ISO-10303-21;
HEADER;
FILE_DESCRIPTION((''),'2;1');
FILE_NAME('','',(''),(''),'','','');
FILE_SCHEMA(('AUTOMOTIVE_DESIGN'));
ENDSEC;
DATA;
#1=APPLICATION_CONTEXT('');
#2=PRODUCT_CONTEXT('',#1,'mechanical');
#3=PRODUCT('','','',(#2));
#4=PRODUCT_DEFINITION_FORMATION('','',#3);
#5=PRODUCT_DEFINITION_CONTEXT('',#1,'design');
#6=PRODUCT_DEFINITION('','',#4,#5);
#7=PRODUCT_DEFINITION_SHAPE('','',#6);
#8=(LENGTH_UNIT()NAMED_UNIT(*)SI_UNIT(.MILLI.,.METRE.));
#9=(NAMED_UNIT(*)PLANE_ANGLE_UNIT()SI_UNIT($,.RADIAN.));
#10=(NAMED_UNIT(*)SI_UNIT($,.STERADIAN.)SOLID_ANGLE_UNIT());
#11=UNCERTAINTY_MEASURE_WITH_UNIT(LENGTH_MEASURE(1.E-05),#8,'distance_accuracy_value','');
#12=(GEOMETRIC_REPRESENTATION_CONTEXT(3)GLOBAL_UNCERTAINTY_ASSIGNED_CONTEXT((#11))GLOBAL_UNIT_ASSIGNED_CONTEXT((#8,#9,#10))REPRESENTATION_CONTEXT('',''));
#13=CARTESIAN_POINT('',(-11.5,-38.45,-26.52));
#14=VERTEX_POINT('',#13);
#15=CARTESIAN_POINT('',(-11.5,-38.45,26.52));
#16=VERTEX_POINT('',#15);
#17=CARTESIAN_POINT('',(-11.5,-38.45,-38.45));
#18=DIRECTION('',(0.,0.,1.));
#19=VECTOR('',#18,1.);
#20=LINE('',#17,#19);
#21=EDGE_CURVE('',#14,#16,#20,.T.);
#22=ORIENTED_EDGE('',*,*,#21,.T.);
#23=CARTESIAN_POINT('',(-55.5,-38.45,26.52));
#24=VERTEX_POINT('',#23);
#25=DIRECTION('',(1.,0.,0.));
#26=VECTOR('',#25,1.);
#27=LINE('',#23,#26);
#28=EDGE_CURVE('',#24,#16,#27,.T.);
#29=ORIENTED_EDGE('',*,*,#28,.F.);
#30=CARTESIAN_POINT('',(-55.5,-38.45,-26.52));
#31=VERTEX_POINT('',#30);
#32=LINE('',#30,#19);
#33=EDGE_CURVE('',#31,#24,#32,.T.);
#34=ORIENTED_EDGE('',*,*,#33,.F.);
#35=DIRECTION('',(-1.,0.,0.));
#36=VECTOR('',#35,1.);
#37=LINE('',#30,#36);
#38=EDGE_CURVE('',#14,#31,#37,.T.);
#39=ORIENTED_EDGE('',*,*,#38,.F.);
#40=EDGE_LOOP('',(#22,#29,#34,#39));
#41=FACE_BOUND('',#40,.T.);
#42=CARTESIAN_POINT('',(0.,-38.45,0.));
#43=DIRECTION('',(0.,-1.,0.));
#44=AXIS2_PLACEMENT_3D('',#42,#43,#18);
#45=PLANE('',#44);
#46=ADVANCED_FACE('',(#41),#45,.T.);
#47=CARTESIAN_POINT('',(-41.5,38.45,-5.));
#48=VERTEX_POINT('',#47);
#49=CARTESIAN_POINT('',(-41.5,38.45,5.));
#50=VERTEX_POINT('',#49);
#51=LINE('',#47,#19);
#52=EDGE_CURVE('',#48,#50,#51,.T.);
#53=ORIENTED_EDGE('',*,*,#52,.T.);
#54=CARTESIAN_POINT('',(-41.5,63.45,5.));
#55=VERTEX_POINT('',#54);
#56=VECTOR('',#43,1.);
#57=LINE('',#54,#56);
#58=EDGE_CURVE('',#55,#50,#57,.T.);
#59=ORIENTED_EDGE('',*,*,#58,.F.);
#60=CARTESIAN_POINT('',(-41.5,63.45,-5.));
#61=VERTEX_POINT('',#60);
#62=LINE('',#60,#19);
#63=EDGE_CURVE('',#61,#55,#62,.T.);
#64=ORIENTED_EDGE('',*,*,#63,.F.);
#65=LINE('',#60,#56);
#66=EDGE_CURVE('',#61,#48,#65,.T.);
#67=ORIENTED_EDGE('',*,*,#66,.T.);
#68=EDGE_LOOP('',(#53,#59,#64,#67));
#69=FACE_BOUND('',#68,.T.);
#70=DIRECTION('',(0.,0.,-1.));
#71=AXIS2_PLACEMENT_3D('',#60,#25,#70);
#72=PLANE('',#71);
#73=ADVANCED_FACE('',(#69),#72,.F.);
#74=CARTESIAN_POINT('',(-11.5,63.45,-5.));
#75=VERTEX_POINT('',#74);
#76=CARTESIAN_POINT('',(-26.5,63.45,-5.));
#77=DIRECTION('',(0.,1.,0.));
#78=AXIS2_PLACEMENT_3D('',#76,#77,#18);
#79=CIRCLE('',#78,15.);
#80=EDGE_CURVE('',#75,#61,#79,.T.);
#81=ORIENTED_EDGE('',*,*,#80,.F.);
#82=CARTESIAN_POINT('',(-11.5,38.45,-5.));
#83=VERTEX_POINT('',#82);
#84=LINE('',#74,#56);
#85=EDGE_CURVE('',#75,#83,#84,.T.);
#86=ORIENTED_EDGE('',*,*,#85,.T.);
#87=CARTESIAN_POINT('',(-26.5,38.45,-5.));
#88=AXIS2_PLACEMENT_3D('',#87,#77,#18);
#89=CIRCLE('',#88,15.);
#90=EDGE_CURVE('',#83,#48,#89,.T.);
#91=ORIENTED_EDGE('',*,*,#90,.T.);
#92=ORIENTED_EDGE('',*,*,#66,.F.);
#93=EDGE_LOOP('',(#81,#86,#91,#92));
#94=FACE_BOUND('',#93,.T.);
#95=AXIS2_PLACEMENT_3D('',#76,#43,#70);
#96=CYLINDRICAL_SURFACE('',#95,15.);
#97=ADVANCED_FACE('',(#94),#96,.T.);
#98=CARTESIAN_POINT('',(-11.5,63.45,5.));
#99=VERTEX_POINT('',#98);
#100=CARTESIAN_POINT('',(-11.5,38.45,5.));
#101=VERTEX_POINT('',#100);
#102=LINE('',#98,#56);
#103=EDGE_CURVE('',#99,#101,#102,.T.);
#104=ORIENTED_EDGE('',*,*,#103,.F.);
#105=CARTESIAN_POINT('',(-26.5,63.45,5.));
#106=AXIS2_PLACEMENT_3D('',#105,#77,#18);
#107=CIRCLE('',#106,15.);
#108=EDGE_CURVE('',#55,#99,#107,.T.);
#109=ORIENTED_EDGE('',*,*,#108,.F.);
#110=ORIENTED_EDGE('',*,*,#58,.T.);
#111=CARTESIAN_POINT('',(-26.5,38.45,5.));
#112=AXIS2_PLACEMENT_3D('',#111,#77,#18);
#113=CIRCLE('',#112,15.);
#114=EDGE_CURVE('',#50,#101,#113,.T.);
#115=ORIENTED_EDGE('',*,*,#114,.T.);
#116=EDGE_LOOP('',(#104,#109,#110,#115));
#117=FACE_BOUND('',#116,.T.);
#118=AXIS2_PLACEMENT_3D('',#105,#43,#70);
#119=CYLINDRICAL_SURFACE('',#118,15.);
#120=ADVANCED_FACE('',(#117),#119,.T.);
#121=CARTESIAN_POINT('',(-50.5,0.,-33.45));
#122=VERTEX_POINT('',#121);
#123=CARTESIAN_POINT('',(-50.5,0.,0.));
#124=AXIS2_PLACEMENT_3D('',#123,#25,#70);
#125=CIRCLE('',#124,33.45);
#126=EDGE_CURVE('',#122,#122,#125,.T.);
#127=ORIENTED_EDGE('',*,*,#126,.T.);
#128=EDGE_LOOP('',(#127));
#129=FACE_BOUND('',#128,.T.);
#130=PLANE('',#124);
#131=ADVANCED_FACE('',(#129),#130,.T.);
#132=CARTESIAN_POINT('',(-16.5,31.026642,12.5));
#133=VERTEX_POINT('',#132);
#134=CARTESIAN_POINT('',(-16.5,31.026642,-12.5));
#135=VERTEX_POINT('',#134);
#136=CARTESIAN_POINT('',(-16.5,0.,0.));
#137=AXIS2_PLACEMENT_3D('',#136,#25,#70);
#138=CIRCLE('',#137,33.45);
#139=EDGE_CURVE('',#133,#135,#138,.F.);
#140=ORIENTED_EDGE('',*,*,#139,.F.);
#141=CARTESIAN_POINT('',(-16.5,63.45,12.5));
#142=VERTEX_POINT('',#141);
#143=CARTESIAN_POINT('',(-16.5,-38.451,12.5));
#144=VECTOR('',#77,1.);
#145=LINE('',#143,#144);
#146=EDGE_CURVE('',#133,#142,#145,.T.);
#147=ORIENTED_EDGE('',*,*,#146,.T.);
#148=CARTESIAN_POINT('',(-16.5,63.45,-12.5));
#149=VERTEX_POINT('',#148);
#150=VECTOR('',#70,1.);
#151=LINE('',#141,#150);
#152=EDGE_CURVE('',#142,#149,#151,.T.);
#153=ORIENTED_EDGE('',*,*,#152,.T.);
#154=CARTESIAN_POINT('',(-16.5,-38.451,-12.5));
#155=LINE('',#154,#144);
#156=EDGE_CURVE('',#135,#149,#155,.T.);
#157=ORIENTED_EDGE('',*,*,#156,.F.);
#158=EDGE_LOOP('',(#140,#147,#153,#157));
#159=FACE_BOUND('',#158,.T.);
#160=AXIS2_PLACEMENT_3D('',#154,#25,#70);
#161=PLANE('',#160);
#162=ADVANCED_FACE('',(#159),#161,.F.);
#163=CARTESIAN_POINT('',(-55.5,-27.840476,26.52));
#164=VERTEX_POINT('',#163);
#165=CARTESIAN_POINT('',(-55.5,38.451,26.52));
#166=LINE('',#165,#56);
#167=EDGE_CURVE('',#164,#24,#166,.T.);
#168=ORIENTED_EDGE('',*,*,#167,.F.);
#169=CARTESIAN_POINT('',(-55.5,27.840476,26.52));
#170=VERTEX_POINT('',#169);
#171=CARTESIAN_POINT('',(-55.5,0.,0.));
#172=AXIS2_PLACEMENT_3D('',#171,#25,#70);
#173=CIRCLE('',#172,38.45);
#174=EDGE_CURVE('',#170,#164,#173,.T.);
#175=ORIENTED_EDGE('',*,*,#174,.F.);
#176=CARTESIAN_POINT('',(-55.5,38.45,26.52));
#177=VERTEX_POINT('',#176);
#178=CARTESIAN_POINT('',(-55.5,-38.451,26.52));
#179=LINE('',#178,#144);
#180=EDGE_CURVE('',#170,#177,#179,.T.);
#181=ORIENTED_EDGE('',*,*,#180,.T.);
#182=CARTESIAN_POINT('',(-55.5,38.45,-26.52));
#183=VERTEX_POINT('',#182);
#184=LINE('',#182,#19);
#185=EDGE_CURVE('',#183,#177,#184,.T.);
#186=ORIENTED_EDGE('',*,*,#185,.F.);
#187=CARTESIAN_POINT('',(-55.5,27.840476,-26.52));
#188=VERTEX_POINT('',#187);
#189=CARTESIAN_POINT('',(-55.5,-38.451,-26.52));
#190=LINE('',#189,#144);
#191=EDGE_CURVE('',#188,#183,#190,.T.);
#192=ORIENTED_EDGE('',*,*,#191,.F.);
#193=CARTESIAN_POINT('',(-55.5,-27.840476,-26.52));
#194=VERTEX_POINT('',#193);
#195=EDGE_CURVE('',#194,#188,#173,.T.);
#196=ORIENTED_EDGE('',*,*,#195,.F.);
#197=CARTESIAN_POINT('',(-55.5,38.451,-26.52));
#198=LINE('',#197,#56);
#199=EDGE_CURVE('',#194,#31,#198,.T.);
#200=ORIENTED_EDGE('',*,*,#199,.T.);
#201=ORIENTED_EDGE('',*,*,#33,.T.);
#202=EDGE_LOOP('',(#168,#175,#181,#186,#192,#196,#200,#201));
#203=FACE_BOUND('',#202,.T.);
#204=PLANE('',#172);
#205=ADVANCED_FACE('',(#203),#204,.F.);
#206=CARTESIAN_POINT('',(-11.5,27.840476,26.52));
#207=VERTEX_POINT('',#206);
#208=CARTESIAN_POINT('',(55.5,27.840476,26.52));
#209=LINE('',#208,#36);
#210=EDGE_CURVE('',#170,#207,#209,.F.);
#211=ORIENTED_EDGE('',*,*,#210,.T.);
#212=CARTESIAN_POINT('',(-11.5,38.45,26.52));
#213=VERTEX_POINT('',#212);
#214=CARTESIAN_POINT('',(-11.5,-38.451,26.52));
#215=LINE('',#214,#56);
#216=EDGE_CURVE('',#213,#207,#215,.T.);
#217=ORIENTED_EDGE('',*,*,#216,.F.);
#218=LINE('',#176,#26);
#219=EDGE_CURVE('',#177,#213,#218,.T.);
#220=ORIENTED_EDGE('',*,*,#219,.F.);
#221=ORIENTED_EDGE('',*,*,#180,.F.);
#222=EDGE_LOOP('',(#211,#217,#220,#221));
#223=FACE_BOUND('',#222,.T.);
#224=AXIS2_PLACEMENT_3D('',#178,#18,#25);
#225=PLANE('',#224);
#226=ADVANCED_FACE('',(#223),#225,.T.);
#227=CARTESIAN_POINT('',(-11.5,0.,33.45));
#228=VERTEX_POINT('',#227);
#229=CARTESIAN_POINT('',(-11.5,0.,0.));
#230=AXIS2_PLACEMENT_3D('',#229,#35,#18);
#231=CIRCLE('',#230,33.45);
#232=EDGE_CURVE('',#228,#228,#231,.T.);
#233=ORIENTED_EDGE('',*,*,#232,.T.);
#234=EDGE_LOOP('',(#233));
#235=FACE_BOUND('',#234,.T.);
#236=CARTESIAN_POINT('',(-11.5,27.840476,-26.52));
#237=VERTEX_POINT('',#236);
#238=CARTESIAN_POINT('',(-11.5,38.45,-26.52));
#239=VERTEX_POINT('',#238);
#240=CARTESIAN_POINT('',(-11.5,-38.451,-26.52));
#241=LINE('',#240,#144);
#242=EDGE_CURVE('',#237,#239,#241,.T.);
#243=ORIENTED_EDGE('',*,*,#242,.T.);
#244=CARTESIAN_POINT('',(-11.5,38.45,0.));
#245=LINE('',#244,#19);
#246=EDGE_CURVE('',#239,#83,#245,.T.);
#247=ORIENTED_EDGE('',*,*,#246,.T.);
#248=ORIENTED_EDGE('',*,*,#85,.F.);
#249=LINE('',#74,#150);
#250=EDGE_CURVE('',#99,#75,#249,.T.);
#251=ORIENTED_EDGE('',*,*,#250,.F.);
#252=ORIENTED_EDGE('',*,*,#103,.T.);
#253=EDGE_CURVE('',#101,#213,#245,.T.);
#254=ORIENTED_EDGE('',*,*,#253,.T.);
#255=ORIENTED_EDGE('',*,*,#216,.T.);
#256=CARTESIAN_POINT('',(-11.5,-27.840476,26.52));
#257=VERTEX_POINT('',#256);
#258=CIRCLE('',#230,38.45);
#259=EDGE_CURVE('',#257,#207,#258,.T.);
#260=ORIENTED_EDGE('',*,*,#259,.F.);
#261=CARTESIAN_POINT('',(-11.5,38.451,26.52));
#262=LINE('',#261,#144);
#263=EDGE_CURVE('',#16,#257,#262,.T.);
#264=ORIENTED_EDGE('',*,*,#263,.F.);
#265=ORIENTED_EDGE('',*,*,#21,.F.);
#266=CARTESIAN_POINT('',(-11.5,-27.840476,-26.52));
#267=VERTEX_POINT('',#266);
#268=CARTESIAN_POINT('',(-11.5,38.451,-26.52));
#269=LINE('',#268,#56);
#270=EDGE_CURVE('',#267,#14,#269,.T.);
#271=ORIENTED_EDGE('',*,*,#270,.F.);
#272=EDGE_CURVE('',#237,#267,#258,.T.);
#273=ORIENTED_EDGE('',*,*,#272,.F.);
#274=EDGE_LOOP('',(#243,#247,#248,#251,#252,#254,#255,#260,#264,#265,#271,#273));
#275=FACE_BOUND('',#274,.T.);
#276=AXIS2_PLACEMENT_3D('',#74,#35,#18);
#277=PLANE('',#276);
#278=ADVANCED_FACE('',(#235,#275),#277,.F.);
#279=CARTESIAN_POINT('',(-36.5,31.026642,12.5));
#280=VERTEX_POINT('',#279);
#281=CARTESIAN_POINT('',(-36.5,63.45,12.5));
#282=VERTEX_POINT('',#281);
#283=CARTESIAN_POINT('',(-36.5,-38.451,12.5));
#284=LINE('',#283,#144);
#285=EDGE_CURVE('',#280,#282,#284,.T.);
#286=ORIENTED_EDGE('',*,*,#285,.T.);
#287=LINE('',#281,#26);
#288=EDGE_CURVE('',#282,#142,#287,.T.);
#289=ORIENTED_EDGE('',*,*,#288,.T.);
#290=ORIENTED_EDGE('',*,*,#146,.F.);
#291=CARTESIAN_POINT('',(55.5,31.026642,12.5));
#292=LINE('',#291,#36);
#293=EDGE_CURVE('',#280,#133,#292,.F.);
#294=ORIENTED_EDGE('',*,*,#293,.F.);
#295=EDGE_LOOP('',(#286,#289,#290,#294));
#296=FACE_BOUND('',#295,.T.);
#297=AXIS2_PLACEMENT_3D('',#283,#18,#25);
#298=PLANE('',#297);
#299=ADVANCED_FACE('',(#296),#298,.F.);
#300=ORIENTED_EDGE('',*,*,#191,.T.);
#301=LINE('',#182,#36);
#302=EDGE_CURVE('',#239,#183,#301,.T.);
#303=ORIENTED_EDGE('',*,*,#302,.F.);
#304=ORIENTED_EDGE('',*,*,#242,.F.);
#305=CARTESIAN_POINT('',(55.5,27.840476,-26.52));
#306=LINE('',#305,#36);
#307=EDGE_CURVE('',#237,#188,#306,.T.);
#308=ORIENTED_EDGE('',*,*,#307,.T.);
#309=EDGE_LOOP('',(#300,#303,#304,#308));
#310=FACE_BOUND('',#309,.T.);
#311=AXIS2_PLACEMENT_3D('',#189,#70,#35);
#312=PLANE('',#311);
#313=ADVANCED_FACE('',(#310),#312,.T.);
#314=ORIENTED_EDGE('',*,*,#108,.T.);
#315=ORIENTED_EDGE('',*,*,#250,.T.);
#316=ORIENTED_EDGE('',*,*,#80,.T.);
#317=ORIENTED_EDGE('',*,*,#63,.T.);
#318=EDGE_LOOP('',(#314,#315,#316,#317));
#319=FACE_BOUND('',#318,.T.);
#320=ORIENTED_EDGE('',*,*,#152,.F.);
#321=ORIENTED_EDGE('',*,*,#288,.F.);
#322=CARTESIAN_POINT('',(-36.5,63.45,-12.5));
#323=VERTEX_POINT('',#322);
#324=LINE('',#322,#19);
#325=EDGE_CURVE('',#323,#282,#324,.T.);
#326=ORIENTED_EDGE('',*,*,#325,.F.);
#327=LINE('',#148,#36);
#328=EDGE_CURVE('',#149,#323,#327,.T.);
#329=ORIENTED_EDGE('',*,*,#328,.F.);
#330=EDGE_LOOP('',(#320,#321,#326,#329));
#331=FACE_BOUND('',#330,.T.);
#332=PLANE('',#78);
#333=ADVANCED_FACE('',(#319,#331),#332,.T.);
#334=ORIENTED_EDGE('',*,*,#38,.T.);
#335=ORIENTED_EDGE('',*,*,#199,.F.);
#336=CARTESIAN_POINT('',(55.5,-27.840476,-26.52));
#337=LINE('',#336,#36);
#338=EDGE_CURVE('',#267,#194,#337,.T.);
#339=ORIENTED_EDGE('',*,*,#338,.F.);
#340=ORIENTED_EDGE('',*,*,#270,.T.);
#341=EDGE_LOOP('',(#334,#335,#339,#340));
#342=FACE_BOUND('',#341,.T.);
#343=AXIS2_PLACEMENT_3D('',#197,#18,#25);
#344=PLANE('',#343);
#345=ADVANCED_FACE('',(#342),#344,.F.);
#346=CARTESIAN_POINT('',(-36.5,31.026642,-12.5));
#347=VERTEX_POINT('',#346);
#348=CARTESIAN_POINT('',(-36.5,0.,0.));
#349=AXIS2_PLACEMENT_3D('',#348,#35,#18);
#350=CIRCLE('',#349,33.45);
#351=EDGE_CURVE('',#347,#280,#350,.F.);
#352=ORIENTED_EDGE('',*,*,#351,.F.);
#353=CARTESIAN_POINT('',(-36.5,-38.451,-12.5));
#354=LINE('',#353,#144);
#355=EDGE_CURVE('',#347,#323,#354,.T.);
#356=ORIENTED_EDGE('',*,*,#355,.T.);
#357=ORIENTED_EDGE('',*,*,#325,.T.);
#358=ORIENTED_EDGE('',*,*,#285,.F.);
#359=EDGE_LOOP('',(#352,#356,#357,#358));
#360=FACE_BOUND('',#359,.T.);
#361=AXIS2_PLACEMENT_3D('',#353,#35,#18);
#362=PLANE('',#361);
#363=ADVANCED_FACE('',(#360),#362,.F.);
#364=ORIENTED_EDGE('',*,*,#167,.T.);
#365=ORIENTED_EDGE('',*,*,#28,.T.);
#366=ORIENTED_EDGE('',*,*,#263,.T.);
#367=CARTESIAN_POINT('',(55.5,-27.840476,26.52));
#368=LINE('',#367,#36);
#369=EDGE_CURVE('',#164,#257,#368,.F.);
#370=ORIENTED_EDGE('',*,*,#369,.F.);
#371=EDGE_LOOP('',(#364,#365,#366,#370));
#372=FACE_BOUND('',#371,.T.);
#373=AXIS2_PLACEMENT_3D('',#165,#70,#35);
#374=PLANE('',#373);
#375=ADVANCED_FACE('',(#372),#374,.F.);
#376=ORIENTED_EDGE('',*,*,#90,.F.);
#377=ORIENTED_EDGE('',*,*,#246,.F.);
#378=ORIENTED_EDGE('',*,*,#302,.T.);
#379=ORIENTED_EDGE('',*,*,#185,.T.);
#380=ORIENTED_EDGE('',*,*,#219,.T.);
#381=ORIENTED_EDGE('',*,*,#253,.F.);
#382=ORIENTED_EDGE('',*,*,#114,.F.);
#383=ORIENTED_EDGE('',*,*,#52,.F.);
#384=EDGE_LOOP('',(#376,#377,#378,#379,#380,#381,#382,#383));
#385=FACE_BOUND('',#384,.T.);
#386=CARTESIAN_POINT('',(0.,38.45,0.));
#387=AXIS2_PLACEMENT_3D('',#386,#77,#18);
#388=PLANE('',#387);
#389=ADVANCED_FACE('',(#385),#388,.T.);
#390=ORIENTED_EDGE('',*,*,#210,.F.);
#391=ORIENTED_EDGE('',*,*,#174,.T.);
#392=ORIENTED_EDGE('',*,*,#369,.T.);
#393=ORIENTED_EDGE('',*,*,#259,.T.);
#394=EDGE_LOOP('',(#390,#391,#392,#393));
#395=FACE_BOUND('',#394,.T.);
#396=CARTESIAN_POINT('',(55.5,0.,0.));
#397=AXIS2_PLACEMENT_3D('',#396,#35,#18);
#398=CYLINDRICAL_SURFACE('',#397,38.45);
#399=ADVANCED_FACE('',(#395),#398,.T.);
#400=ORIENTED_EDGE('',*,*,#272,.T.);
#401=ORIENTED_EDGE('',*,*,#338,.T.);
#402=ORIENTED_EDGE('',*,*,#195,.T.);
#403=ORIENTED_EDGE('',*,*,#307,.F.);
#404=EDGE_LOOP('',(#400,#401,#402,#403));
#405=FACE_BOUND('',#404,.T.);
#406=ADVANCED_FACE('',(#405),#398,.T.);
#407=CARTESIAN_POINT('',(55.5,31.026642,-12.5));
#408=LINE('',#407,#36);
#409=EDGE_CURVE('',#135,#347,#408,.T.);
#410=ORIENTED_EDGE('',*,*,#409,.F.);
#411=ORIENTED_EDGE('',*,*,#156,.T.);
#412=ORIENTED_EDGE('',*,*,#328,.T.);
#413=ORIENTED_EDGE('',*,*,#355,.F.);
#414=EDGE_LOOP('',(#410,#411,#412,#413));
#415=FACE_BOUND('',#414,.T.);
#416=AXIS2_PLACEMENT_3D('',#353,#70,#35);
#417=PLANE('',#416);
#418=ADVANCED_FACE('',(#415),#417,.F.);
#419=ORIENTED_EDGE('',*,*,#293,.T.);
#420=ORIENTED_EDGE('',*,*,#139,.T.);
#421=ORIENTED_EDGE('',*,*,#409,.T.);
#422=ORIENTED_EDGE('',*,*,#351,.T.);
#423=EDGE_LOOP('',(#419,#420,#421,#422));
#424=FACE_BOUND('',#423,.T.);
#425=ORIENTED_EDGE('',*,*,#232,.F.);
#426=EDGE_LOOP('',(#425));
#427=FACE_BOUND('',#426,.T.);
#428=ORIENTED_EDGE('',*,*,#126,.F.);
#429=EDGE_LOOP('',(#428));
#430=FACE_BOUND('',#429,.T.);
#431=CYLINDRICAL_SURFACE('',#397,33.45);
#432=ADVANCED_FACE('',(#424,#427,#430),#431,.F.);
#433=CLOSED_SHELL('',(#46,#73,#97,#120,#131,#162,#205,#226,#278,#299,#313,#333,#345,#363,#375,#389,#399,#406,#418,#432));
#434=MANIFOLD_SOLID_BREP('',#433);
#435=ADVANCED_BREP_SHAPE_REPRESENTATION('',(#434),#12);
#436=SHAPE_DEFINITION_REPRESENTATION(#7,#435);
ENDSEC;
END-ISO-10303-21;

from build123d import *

# Parameters (mm, degrees)
SKETCH1_R                = 38.45
BOSS_EXTRUDE1_DEPTH      = 55.5
SHELL1_T                 = -5
BOSS_EXTRUDE2_REACH      = 104.334
BOSS_EXTRUDE2_END_RADIUS = 38.45
SKETCH2_W                = 111
SKETCH2_H                = 53.04
CUT_EXTRUDE1_REACH       = 104.334
CUT_EXTRUDE1_END_RADIUS  = 33.45
SKETCH3_W                = 20
SKETCH3_H                = 25
BOSS_EXTRUDE5_DEPTH      = 25
CUT_EXTRUDE2_REACH       = 124.239
SKETCH6_W                = 20
SKETCH6_H                = 25
CUT_EXTRUDE3_DEPTH       = 103.334073016
CUT_EXTRUDE3_DEPTH_BACK  = 103.334073016
SKETCH7_W                = 67
SKETCH7_H                = 76.9


with BuildPart() as part:
    # Sketch1 → Boss-Extrude1 (new, symmetric)
    with BuildSketch(Plane(origin=(0, 0, 0), x_dir=(0, 0, -1), z_dir=(1, 0, 0))):
        Circle(SKETCH1_R)
    extrude(amount=BOSS_EXTRUDE1_DEPTH, both=True)

    # Shell1
    shell1_openings = [part.faces().sort_by_distance(p)[0] for p in [
        (55.5, 0, 0),
    ]]
    offset(amount=SHELL1_T, openings=shell1_openings, kind=Kind.INTERSECTION)

    # Boss-Extrude2: up to this cylinder (the profile starts outside it)
    boss_extrude2_end = Plane(origin=(0, 0, 0), z_dir=(-1, 0, 0)) * Cylinder(BOSS_EXTRUDE2_END_RADIUS, 286.568, mode=Mode.PRIVATE)
    # Sketch2 → Boss-Extrude2 (add, up to the surface)
    with BuildSketch(Plane(origin=(0, 38.45, 0), x_dir=(1, 0, 0), z_dir=(0, 1, 0)), mode=Mode.PRIVATE) as boss_extrude2_sk1:
        Rectangle(SKETCH2_W, SKETCH2_H)
    boss_extrude2_tool1 = extrude(boss_extrude2_sk1.sketch, amount=-BOSS_EXTRUDE2_REACH, mode=Mode.PRIVATE) - boss_extrude2_end
    boss_extrude2 = boss_extrude2_tool1.solids().sort_by_distance((0, 38.45, 0))[0] + boss_extrude2_tool1.solids().sort_by_distance((0, 38.45, 0))[1]
    add(boss_extrude2)

    # Mirror1: Boss-Extrude2 across plane
    add(boss_extrude2.mirror(Plane.ZX))

    # Cut-Extrude1: up to this cylinder (the profile starts outside it)
    cut_extrude1_end = Plane(origin=(-26.5, 0, 0), z_dir=(-1, 0, 0)) * Cylinder(CUT_EXTRUDE1_END_RADIUS, 276.568, mode=Mode.PRIVATE)
    # Sketch3 → Cut-Extrude1 (cut, up to the surface)
    with BuildSketch(Plane(origin=(0, 38.45, 0), x_dir=(1, 0, 0), z_dir=(0, 1, 0)), mode=Mode.PRIVATE) as cut_extrude1_sk1:
        with Locations((-26.5, 0)):
            Rectangle(SKETCH3_W, SKETCH3_H)
    cut_extrude1_tool1 = extrude(cut_extrude1_sk1.sketch, amount=-CUT_EXTRUDE1_REACH, mode=Mode.PRIVATE) - cut_extrude1_end
    add(cut_extrude1_tool1.solids().sort_by_distance((-26.5, 38.45, 0))[0], mode=Mode.SUBTRACT)

    # Sketch5 → Boss-Extrude5 (add)
    with BuildSketch(Plane(origin=(0, 38.45, 0), x_dir=(1, 0, 0), z_dir=(0, 1, 0))):
        with BuildLine():
            Line((-11.5, 5), (-11.5, -5))
            ThreePointArc((-11.5, -5), (-26.5, -20), (-41.5, -5))
            Line((-41.5, -5), (-41.5, 5))
            ThreePointArc((-41.5, 5), (-26.5, 20), (-11.5, 5))
        make_face()
    extrude(amount=BOSS_EXTRUDE5_DEPTH)

    # Sketch6 → Cut-Extrude2 (cut, up to next)
    with BuildSketch(Plane(origin=(0, 63.45, 0), x_dir=(1, 0, 0), z_dir=(0, 1, 0)), mode=Mode.PRIVATE) as cut_extrude2_sk1:
        with Locations((-26.5, 0)):
            Rectangle(SKETCH6_W, SKETCH6_H)
    cut_extrude2_tool1 = extrude(cut_extrude2_sk1.sketch, amount=-CUT_EXTRUDE2_REACH, mode=Mode.PRIVATE) & part.part
    add(cut_extrude2_tool1.solids().sort_by_distance((-26.5, 63.45, 0))[0], mode=Mode.SUBTRACT)

    # Sketch7 → Cut-Extrude3 (cut, two sides: drawn at the far end of the back side and taken through both)
    with BuildSketch(Plane(origin=(0, 38.45, 0), x_dir=(1, 0, 0), z_dir=(0, 1, 0)).offset(-CUT_EXTRUDE3_DEPTH_BACK)):
        with Locations((22, 0)):
            Rectangle(SKETCH7_W, SKETCH7_H)
    extrude(amount=CUT_EXTRUDE3_DEPTH + CUT_EXTRUDE3_DEPTH_BACK, mode=Mode.SUBTRACT)


solid = part.part
